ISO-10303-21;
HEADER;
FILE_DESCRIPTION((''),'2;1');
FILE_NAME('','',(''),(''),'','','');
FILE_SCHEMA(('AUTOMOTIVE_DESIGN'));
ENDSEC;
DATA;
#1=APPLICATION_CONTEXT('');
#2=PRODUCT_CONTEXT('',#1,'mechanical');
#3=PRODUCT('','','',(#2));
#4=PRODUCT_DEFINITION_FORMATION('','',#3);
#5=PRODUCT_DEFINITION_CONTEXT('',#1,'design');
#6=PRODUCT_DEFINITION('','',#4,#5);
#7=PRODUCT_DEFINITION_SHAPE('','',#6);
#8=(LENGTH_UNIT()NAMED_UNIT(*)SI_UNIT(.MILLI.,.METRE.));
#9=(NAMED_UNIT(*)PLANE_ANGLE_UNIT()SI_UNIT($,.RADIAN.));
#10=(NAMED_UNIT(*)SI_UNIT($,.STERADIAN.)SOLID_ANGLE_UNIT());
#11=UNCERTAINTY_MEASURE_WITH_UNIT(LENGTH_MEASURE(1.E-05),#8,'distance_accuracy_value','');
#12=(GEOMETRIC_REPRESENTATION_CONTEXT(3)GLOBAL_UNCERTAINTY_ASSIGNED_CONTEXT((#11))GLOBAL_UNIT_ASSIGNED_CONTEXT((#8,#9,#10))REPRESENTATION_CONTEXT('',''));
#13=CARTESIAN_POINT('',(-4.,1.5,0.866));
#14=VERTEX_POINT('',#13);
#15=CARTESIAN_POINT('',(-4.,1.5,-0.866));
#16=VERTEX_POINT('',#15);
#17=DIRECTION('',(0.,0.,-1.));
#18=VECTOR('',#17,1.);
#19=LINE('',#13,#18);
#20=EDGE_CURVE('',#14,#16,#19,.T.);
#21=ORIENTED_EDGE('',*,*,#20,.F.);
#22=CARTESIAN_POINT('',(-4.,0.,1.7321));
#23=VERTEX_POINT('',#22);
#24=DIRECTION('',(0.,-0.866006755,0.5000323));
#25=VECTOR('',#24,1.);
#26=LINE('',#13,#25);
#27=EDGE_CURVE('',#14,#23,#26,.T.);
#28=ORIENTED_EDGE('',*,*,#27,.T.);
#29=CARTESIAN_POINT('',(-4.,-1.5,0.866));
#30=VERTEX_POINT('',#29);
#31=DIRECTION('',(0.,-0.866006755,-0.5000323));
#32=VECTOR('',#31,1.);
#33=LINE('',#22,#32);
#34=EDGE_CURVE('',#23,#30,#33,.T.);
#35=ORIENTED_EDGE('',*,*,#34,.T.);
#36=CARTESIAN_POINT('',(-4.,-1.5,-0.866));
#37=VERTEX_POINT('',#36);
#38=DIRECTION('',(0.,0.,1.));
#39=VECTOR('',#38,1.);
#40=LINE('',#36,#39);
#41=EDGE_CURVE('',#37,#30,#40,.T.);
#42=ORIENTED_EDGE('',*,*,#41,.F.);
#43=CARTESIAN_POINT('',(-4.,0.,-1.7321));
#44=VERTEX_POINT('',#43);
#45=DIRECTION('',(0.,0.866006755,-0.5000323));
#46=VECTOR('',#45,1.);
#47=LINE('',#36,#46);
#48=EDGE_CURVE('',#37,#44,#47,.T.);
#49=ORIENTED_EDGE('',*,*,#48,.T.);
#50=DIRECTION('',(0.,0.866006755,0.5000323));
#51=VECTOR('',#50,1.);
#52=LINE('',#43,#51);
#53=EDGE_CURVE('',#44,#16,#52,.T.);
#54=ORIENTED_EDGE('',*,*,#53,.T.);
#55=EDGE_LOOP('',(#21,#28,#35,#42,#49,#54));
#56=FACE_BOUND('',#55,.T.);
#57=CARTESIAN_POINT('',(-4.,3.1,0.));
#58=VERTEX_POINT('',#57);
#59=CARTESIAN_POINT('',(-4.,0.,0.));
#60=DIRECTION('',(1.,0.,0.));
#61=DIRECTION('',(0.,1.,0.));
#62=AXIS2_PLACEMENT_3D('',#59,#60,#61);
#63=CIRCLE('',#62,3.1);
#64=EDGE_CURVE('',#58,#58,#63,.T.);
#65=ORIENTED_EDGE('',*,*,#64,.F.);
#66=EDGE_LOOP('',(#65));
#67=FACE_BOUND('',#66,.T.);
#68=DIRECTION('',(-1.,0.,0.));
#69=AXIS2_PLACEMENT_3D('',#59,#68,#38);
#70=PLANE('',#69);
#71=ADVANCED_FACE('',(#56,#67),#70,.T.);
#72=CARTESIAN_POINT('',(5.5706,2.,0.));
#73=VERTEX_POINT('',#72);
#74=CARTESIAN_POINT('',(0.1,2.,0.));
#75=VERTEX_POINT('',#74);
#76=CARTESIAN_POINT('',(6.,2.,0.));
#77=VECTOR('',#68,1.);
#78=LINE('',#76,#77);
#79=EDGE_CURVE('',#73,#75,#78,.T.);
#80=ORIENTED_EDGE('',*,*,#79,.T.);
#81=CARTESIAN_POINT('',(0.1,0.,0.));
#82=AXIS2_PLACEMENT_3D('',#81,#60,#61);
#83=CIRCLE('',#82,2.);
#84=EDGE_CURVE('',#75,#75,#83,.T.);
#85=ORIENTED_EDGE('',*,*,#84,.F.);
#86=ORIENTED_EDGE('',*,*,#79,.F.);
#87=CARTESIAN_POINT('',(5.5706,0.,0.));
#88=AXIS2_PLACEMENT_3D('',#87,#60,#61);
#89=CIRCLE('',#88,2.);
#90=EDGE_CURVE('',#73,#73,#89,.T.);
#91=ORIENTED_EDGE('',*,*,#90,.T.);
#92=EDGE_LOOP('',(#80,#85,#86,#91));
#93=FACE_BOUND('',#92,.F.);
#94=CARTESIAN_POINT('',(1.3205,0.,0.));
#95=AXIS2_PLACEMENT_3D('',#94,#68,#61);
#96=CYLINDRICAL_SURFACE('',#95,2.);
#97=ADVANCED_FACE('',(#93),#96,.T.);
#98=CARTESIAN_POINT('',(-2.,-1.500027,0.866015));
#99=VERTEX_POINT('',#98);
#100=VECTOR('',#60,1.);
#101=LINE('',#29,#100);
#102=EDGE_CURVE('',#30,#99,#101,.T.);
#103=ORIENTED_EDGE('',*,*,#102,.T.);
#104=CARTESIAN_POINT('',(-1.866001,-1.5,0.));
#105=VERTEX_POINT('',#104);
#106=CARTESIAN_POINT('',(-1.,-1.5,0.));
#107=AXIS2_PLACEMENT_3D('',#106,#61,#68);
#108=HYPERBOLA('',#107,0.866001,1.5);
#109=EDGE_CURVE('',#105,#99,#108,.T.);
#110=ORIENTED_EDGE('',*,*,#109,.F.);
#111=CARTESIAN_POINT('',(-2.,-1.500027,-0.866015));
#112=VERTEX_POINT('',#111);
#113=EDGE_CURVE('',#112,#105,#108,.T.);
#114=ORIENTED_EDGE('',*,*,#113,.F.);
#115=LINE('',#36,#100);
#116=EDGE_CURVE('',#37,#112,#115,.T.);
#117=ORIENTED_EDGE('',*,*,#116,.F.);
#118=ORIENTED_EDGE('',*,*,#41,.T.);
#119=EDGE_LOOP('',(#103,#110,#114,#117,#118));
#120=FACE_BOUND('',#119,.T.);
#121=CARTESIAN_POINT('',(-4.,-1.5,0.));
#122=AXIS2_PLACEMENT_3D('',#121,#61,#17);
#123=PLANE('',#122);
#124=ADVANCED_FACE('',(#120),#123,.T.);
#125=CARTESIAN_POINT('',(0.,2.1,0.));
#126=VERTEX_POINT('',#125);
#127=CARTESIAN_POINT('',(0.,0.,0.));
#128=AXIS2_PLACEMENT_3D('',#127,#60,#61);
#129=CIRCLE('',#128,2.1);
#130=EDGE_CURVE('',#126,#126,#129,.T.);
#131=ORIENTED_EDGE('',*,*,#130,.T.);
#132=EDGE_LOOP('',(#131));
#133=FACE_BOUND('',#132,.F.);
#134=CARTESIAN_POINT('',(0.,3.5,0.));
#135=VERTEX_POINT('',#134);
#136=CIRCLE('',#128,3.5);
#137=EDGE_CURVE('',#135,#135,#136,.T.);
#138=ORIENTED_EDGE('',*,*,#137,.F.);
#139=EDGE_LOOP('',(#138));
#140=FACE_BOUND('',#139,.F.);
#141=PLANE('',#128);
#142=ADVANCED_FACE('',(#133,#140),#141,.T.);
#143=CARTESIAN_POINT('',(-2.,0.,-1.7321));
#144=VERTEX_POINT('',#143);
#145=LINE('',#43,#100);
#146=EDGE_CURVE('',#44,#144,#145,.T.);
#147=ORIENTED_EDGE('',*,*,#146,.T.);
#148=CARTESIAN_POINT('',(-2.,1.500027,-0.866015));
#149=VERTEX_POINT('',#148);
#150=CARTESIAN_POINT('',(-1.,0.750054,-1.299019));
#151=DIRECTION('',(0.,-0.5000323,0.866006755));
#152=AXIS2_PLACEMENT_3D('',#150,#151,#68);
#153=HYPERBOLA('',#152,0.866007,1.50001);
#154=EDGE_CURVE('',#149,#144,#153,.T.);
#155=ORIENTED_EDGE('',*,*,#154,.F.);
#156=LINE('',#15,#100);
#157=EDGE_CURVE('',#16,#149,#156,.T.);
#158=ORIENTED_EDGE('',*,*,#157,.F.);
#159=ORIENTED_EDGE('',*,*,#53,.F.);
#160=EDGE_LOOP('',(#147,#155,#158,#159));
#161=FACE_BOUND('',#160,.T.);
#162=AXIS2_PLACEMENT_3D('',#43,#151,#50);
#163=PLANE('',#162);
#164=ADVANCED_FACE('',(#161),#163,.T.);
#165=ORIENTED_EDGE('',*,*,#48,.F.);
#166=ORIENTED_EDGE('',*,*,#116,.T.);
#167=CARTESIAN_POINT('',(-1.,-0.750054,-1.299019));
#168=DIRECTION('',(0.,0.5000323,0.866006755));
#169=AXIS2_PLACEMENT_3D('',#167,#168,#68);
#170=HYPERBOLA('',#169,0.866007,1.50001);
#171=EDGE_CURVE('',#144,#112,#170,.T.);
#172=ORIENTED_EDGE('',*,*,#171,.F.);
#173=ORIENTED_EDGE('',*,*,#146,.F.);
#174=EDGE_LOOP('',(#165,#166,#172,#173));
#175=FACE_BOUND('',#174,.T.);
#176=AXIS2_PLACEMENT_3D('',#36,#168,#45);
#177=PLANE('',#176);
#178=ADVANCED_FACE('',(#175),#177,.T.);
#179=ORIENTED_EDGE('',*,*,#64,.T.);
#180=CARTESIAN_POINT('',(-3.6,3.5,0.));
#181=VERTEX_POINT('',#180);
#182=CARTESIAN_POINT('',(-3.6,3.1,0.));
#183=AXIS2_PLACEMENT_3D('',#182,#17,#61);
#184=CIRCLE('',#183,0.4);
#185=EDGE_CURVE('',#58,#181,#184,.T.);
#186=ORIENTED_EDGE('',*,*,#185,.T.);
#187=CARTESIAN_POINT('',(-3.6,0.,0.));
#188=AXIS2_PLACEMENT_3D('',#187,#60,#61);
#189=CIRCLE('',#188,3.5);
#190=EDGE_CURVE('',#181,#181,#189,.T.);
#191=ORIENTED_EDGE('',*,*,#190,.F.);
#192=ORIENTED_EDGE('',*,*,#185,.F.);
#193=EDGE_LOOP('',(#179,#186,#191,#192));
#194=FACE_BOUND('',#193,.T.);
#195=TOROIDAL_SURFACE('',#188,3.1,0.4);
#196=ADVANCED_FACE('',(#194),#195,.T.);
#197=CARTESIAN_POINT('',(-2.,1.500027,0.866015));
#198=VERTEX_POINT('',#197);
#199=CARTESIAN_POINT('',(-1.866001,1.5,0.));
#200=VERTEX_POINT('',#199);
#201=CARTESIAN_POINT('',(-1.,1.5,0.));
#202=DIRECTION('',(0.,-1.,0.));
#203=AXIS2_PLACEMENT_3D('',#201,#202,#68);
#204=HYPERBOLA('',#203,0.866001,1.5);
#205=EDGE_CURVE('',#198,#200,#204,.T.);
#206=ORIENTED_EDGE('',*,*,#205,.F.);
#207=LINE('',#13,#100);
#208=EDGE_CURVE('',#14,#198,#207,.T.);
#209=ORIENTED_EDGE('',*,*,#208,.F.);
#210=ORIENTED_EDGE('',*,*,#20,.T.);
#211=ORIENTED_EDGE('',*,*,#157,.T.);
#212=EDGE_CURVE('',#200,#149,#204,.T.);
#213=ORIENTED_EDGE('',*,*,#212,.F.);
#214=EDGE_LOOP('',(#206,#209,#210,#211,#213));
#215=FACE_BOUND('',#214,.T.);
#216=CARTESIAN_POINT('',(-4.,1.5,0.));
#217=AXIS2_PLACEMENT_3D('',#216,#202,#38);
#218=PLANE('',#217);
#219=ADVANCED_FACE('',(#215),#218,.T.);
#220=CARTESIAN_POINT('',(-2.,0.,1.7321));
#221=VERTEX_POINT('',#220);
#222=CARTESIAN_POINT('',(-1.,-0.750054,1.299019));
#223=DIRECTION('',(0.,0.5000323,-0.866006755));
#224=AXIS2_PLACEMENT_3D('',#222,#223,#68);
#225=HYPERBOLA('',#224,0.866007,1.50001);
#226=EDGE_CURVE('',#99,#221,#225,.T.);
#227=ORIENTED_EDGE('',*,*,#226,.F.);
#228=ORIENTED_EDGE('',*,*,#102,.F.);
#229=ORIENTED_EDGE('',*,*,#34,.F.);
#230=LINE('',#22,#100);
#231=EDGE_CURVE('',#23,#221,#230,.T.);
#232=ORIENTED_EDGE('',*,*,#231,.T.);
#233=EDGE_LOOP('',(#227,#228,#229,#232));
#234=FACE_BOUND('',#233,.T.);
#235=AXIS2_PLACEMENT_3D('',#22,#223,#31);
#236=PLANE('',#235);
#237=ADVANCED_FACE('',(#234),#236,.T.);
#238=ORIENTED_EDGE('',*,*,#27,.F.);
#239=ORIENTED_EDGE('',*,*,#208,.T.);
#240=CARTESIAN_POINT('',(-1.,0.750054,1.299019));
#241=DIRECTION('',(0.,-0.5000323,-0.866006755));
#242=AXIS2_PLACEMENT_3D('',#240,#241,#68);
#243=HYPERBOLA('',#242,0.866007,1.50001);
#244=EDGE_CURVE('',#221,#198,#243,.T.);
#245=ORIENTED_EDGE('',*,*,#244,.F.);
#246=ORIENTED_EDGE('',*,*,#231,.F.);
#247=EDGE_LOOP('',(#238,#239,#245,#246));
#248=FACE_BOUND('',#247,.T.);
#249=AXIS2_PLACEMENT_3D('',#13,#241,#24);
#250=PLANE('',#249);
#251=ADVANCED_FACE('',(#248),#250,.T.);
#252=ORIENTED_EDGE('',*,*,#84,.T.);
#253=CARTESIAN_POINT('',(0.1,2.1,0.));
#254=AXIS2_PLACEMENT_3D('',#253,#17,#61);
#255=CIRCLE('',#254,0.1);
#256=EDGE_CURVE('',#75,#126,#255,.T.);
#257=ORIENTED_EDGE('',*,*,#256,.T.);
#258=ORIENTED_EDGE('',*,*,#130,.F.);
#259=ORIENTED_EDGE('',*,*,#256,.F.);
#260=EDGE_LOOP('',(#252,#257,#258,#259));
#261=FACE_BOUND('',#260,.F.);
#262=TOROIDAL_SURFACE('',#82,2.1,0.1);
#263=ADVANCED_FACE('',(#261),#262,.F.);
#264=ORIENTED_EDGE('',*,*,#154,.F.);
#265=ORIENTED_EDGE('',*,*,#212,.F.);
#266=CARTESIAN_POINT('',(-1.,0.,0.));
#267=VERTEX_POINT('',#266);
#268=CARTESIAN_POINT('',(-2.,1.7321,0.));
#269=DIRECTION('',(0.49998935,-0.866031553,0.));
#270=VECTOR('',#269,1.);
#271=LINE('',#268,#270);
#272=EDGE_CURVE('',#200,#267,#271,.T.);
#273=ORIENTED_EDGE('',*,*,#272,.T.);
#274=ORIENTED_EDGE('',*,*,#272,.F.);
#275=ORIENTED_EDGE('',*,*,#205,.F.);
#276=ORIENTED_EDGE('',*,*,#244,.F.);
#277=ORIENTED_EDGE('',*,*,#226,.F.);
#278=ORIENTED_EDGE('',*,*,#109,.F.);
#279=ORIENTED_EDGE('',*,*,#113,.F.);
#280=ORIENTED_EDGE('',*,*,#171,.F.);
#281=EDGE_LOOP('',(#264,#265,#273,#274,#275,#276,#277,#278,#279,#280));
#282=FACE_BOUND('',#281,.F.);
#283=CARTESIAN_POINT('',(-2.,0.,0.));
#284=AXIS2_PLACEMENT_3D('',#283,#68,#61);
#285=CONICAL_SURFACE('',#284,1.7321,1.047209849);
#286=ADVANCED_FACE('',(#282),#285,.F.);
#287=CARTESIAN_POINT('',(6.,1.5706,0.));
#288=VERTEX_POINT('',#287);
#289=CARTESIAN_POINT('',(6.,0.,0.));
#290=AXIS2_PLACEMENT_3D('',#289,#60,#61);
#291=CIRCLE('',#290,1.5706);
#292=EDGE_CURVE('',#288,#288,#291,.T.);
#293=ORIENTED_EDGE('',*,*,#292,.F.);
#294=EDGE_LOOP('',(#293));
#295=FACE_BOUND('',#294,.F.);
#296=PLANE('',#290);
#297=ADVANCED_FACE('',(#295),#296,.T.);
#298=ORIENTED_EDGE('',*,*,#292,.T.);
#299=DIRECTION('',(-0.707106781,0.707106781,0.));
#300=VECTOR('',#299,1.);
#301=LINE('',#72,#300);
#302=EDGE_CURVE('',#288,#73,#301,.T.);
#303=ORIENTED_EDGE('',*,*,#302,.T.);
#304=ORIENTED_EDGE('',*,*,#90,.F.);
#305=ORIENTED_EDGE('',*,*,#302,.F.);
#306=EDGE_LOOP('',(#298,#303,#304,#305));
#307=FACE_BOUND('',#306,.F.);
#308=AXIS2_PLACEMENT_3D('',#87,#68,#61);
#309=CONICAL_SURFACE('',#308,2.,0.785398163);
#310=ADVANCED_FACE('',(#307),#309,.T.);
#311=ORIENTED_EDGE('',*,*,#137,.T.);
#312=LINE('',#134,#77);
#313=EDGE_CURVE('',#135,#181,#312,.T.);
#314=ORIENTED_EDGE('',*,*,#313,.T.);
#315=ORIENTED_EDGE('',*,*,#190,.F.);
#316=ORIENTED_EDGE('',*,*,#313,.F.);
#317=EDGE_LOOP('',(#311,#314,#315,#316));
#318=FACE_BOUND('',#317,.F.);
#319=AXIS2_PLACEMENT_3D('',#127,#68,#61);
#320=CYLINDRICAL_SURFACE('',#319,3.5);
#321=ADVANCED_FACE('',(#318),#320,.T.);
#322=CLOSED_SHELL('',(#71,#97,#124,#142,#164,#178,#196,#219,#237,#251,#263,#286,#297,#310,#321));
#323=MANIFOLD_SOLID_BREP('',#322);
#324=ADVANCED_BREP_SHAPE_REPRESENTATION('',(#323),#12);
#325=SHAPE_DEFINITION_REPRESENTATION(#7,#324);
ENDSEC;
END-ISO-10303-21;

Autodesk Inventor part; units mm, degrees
ref_plane "YZ Plane" through (0, 0, 0) normal (1, 0, 0) x (0, 1, 0)
ref_plane "XZ Plane" through (0, 0, 0) normal (0, 1, 0) x (-1, 0, 0)
sketch "Sketch1" plane through (0, 0, 0) normal (0, 0, 1) x (1, 0, 0)
  line L0 (-1, 0) -> (6, 0)
  line L1 (6, 0) -> (6, 2)
  line L2 (6, 2) -> (1.75, 2)
  line L3 (1.75, 2) -> (1.3205, 2)
  line L4 (1.3205, 2) -> (0, 2)
  line L5 (0, 2) -> (0, 3.5)
  line L6 (0, 3.5) -> (-4, 3.5)
  line L7 (-4, 3.5) -> (-4, 1.7321)
  line L8 (-4, 1.7321) -> (-2, 1.7321)
  line L9 (-2, 1.7321) -> (-1, 0)
  line L10 (-6, 0) -> (8, 0) projected
  line L11 (0, -0.7) -> (0, 4.2) projected
  line L12 (1.75, 2) -> (0, 2) construction
  dimension "d1" = 4.25
  dimension "d2" = 0.4295
  dimension "d3" = 4
  dimension "d4" = 2
  dimension "d5" = 60
  dimension "d6" = 4
  dimension "d7" = 4
  dimension "d8" = 3.4641
  dimension "d9" = 7
  dimension "d26" = 6
revolve "Body" add sketch "Sketch1" angle 360 about axis through (-1, 0, 0) along (1, 0, 0)
sketch "Sketch2" plane through (-4, 0, 0) normal (-1, 0, 0) x (0, 0, 1)
  circle A0 centre (0, 0) radius 1.7321 projected
  line L0 (0, -4.9) -> (0, 4.9) projected
  line L1 (-4.9, 0) -> (4.9, 0) projected
  line L2 (1.7321, 0) -> (0.866, -1.5)
  line L3 (0.866, -1.5) -> (-0.866, -1.5)
  line L4 (-0.866, -1.5) -> (-1.7321, 0)
  line L5 (-1.7321, 0) -> (-0.866, 1.5)
  line L6 (-0.866, 1.5) -> (0.866, 1.5)
  line L7 (0.866, 1.5) -> (1.7321, 0)
extrude "Slot" add sketch "Sketch2" against normal up to next contours L7 A0 | A0 L2 | L6 L0 A0 | A0 L0 L3 | L0 L6 A0 | A0 L3 L0 | L4 A0 | A0 L5
fillet "Fillet1" radius 0.4 1 edges at (-4, -3.5, 0)
thread "Thread" size "M4x0.7" class "6g" standard "ISO Metric profile" length 4.25
chamfer "Chamfer1" distance 0.4294 distance2 0.4294 1 edges at (6, -2, 0) measured on face at (6, 0.556, 0.0273)
ref_plane "Work Plane1" through (29, 0, 0) normal (0, -1, 0) x (1, 0, 0)
fillet "Fillet2" radius 0.1 1 edges at (0, -2, 0)
equation "\"d1\" = GEL"
equation "\"d3\" = KOH"
equation "\"d4\" = INTI"
equation "\"d6\" = GD"
equation "\"d7\" = BDM"
equation "\"d8\" = 1.1547 * SW"
equation "\"d9\" = KOD"
equation "\"d26\" = NLG"
equation "\"d30\" = R"
equation "\"d17\" = RR"
equation "\"d13\" = GEL"
equation "\"d15\" = -0.5 * SPD + 0.5 * GD"
equation "\"d16\" = GUL"
equation "\"GD\" = 4"
equation "\"NLG\" = 6"
equation "\"GEL\" = 4.25"
equation "\"KOD\" = 7"
equation "\"KOH\" = 4"
equation "\"INTI\" = 2"
equation "\"GAL\" = 0.61345 * PTC"
equation "\"GUL\" = 0.61345 * PTC"
equation "\"BDM\" = NND"
equation "\"SW\" = 3"
equation "\"RR\" = 0.4"
equation "\"SPD\" = NND - 1.2269 * PTC"
equation "\"R\" = 0.1"
equation "\"TOA\" = 30deg"
equation "\"GD1\" = THREADDIA - 1.2269 * PTC"
equation "\"THREADDIA\" = 4"
equation "\"FAWI\" = 45deg"
equation "\"PTC\" = 0.7"
equation "\"NND\" = 4"
equation "\"E0\" = 1.155 * SW"
properties part number "ISO 4762 - M4 x 6" material "Stainless Steel, 440C"
